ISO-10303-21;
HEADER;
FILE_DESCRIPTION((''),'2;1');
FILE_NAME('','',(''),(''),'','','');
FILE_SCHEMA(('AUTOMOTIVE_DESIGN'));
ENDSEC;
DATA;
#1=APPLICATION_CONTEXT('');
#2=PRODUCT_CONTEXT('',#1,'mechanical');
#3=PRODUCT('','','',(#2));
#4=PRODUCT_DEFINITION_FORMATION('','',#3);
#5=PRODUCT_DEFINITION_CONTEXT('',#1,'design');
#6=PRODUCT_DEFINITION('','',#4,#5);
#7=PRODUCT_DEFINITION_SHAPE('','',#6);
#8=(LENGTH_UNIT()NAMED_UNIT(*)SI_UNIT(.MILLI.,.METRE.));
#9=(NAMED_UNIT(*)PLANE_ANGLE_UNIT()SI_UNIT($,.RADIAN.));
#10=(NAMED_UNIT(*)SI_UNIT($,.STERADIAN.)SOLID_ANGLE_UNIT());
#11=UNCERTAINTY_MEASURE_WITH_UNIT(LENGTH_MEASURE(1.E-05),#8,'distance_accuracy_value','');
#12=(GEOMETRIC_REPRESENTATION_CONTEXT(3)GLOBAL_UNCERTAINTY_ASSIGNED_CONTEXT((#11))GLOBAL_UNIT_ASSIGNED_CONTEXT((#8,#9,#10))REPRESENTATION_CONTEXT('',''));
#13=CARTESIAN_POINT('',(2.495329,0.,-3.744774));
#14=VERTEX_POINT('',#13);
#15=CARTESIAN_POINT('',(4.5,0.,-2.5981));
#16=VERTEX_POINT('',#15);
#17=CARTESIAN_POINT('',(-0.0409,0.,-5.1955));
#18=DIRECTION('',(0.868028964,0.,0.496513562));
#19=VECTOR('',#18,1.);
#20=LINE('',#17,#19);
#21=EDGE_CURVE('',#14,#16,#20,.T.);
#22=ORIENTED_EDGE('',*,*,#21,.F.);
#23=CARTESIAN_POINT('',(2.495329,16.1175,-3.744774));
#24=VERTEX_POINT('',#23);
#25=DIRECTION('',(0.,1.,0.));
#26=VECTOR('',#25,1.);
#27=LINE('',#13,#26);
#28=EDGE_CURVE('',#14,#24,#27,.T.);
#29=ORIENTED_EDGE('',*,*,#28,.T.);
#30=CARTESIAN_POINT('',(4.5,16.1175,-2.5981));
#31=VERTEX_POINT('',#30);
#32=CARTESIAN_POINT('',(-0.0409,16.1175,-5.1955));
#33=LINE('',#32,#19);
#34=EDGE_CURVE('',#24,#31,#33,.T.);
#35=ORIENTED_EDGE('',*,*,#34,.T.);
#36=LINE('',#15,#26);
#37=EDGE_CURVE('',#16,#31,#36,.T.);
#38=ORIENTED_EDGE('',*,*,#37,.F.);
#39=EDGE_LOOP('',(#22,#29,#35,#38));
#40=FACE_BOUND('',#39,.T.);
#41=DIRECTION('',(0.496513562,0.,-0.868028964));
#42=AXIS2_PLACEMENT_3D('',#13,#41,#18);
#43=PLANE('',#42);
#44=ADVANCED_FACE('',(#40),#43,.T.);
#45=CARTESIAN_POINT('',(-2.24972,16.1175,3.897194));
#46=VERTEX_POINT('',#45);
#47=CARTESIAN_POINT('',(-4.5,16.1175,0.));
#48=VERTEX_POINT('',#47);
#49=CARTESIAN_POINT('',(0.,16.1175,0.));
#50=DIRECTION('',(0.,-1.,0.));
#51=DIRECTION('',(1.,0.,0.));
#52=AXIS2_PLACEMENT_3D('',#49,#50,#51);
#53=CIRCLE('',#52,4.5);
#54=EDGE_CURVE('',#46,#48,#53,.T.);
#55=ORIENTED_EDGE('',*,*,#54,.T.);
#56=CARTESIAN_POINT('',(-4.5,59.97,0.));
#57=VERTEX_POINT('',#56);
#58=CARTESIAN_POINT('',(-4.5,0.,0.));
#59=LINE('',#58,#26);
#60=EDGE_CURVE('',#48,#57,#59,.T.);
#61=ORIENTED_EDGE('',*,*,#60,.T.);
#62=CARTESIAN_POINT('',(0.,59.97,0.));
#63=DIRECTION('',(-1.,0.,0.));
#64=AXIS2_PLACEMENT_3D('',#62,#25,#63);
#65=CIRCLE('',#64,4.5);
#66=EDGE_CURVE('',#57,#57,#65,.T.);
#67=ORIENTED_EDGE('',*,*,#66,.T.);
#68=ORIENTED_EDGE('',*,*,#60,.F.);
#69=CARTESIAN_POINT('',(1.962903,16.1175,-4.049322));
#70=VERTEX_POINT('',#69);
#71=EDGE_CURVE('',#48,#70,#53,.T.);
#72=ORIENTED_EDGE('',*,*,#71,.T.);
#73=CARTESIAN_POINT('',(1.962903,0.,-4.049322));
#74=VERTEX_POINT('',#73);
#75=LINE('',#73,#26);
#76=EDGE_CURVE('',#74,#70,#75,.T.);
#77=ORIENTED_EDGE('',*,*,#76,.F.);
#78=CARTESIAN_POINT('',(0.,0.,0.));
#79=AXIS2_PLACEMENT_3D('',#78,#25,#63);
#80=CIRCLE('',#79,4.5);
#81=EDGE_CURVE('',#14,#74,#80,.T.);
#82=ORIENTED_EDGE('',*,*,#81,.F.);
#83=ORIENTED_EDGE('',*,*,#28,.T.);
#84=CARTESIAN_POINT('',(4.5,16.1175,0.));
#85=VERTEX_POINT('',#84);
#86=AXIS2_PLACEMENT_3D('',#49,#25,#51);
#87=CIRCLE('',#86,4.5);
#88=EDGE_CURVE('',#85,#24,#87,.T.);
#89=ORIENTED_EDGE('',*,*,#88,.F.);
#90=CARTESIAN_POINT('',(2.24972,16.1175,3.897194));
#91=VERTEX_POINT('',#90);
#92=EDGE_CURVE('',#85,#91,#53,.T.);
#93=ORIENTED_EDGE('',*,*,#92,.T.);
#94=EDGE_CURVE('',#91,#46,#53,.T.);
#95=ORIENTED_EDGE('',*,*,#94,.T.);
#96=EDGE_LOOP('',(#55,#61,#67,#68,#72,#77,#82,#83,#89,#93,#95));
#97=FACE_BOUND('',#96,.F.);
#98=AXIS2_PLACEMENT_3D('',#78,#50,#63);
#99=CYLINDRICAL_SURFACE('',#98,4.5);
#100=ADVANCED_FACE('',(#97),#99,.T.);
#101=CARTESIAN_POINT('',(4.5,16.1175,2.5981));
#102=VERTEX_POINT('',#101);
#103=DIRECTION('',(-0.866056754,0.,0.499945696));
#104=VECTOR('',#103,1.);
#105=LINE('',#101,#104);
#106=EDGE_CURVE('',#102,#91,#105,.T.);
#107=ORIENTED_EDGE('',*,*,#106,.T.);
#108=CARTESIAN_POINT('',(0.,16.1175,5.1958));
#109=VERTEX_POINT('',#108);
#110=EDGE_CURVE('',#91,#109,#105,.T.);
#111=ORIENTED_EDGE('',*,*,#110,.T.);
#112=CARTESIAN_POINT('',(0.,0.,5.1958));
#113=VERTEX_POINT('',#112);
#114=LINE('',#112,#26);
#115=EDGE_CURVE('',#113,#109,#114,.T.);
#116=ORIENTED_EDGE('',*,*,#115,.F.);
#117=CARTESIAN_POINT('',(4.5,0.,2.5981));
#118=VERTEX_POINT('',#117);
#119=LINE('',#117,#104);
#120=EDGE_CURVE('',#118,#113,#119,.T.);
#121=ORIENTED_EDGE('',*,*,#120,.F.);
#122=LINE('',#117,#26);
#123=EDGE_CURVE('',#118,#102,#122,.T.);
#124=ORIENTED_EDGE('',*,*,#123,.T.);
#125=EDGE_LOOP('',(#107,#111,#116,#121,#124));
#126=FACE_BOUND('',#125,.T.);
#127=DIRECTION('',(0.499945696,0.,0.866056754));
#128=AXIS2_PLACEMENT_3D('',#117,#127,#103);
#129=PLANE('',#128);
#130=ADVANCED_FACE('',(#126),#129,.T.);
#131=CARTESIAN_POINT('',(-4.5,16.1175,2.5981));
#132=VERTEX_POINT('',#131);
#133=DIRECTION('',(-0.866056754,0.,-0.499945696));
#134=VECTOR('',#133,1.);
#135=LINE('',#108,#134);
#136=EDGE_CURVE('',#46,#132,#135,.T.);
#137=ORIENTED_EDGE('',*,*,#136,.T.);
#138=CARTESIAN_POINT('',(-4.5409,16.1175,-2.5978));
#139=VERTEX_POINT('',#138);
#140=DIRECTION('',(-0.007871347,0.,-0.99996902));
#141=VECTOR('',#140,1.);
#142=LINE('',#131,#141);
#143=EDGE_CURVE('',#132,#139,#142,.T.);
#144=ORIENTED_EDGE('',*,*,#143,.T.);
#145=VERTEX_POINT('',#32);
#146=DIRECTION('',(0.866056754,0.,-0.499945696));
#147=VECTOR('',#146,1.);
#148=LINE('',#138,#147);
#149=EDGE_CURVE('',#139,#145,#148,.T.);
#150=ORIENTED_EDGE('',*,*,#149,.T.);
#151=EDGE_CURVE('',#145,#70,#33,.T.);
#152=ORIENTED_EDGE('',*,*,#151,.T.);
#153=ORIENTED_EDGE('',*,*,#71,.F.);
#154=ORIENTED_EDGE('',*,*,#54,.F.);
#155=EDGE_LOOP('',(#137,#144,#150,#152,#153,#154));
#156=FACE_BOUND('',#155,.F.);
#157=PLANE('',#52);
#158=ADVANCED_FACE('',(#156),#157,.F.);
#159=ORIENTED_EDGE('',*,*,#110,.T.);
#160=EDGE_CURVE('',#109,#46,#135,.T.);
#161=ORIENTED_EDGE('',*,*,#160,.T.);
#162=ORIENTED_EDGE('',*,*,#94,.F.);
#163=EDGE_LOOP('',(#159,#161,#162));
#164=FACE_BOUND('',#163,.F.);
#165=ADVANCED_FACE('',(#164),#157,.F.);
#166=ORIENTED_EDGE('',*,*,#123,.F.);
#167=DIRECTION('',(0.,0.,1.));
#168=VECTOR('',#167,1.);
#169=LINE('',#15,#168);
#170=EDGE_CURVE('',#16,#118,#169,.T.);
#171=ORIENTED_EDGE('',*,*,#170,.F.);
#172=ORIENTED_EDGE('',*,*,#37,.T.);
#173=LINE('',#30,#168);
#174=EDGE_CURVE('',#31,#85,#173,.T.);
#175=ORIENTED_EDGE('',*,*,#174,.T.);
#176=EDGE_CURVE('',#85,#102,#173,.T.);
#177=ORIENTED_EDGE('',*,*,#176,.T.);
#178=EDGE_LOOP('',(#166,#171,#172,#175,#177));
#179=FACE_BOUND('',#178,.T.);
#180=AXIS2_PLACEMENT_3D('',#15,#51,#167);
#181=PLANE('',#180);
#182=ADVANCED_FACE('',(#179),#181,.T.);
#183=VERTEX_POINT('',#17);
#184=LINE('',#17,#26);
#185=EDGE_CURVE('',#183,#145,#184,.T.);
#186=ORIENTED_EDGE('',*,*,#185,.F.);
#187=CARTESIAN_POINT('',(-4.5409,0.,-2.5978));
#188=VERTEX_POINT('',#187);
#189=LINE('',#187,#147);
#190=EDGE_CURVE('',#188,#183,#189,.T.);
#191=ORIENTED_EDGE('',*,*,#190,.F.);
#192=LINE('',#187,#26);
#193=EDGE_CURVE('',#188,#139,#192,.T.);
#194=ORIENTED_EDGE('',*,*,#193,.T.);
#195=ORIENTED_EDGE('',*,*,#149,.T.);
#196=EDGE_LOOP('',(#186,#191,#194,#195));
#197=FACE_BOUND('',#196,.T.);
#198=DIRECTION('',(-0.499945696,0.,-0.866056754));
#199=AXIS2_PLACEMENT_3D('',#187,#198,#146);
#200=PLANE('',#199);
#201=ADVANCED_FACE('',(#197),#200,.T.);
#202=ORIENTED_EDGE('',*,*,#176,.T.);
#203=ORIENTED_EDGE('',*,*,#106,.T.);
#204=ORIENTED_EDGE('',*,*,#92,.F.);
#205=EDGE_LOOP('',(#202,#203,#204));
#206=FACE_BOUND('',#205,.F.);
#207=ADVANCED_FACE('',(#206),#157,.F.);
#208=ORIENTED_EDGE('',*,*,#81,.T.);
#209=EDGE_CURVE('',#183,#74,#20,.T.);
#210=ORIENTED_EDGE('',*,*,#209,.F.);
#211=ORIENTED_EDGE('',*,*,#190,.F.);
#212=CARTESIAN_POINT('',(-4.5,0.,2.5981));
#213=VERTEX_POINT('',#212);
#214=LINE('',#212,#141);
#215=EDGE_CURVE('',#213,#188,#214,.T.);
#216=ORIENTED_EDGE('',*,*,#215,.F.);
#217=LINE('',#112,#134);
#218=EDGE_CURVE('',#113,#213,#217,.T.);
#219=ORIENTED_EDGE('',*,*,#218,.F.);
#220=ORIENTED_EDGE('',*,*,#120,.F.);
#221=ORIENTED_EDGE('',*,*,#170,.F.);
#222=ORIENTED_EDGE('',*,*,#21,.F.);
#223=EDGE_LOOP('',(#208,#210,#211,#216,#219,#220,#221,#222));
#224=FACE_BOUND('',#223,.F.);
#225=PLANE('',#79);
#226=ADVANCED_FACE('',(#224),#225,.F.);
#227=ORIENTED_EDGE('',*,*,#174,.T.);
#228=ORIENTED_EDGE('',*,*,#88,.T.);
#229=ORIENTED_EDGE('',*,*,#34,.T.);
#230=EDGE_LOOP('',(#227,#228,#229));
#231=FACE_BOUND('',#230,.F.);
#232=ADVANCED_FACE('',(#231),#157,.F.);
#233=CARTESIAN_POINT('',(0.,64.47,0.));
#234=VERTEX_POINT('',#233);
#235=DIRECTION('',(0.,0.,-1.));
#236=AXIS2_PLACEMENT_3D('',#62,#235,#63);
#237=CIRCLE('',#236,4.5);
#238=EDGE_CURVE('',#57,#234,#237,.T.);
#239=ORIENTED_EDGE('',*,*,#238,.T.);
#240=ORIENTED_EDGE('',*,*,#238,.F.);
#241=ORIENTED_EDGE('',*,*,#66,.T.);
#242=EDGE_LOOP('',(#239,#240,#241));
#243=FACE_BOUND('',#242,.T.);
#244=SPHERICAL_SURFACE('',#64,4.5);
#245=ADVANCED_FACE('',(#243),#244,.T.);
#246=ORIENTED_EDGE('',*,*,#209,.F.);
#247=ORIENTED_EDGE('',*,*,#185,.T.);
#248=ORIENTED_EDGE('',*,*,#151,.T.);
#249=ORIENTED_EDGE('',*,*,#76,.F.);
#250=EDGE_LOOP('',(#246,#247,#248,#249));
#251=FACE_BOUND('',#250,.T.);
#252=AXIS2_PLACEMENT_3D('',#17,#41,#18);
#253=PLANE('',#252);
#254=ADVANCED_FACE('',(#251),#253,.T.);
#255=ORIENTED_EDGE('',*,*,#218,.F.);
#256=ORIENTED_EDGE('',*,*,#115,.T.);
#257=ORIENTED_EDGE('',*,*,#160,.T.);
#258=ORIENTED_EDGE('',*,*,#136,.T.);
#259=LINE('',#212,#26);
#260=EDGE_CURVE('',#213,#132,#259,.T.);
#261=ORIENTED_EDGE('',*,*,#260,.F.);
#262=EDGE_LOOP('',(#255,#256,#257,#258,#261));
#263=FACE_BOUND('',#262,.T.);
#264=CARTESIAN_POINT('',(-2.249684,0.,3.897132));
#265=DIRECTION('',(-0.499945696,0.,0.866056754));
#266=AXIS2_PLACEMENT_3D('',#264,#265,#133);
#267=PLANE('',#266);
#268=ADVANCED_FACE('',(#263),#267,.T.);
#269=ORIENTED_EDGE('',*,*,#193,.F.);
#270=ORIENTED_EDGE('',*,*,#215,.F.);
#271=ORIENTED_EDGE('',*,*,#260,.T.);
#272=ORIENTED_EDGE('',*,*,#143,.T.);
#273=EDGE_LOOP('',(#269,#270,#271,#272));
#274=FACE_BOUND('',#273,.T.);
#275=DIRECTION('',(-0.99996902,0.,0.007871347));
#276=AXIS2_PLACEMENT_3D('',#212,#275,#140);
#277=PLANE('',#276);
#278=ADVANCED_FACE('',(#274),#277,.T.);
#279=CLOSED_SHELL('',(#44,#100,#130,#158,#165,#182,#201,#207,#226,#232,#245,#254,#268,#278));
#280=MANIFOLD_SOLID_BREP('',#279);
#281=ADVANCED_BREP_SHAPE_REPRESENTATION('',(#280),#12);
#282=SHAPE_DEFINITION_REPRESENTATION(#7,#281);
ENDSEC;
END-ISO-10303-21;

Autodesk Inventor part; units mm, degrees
ref_plane "YZ Plane" through (0, 0, 0) normal (1, 0, 0) x (0, 1, 0)
sketch "Boceto1" plane through (0, 0, 0) normal (0, 1, 0) x (-1, 0, 0)
  circle A0 centre (0, 0) radius 4.5
  dimension "d0" = 9
extrude "Extrusión1" add sketch "Boceto1" along normal blind 64.47
fillet "Empalme1" radius 4.5 1 edges at (4.5, 64.47, 0)
sketch "Boceto2" plane through (0, 0, 0) normal (0, -1, 0) x (1, 0, 0)
  circle A0 centre (0, 0) radius 4.5 projected
  circle A1 centre (0, 0) radius 4.5 projected
  line L0 (3.8723, -2.2357) -> (3.8971, -2.25)
  line L1 (0, 0) -> (5.1962, 0) construction
  line L2 (4.5, -2.5981) -> (4.5, 2.5981)
  line L3 (0, 0) -> (5.1962, 0) construction
  line L4 (4.5, 2.5981) -> (0, 5.1958)
  line L5 (0, 5.1958) -> (-4.5, 2.5981)
  line L6 (-4.5, 2.5981) -> (-4.5409, -2.5978)
  line L7 (-4.5409, -2.5978) -> (-0.0409, -5.1955)
  line L8 (-0.0409, -5.1955) -> (4.5, -2.5981)
  dimension "d9" = 30
  dimension "d11" = 5.196
  dimension "d12" = 5.196
  dimension "d13" = 5.196
  dimension "d14" = 5.196
extrude "Extrusión2" add sketch "Boceto2" against normal blind 16.1175 contours A0 L8 | A0 L2 L8 | A0 L4 L2 | A0 L5 L4 | L8 L7 L6 L5 A0 picked at (-2.0247, -0.1583)
ref_plane "Plano de trabajo1" through (-2.2861, 0, 1.3081) normal (-0.5, 0, -0.8661) x (-0.8661, 0, 0.5)
ref_plane "Plano de trabajo2" through (4.5, 0, -2.5981) normal (0.5, 0, 0.866) x (0, 1, 0)
properties part number "antena"
